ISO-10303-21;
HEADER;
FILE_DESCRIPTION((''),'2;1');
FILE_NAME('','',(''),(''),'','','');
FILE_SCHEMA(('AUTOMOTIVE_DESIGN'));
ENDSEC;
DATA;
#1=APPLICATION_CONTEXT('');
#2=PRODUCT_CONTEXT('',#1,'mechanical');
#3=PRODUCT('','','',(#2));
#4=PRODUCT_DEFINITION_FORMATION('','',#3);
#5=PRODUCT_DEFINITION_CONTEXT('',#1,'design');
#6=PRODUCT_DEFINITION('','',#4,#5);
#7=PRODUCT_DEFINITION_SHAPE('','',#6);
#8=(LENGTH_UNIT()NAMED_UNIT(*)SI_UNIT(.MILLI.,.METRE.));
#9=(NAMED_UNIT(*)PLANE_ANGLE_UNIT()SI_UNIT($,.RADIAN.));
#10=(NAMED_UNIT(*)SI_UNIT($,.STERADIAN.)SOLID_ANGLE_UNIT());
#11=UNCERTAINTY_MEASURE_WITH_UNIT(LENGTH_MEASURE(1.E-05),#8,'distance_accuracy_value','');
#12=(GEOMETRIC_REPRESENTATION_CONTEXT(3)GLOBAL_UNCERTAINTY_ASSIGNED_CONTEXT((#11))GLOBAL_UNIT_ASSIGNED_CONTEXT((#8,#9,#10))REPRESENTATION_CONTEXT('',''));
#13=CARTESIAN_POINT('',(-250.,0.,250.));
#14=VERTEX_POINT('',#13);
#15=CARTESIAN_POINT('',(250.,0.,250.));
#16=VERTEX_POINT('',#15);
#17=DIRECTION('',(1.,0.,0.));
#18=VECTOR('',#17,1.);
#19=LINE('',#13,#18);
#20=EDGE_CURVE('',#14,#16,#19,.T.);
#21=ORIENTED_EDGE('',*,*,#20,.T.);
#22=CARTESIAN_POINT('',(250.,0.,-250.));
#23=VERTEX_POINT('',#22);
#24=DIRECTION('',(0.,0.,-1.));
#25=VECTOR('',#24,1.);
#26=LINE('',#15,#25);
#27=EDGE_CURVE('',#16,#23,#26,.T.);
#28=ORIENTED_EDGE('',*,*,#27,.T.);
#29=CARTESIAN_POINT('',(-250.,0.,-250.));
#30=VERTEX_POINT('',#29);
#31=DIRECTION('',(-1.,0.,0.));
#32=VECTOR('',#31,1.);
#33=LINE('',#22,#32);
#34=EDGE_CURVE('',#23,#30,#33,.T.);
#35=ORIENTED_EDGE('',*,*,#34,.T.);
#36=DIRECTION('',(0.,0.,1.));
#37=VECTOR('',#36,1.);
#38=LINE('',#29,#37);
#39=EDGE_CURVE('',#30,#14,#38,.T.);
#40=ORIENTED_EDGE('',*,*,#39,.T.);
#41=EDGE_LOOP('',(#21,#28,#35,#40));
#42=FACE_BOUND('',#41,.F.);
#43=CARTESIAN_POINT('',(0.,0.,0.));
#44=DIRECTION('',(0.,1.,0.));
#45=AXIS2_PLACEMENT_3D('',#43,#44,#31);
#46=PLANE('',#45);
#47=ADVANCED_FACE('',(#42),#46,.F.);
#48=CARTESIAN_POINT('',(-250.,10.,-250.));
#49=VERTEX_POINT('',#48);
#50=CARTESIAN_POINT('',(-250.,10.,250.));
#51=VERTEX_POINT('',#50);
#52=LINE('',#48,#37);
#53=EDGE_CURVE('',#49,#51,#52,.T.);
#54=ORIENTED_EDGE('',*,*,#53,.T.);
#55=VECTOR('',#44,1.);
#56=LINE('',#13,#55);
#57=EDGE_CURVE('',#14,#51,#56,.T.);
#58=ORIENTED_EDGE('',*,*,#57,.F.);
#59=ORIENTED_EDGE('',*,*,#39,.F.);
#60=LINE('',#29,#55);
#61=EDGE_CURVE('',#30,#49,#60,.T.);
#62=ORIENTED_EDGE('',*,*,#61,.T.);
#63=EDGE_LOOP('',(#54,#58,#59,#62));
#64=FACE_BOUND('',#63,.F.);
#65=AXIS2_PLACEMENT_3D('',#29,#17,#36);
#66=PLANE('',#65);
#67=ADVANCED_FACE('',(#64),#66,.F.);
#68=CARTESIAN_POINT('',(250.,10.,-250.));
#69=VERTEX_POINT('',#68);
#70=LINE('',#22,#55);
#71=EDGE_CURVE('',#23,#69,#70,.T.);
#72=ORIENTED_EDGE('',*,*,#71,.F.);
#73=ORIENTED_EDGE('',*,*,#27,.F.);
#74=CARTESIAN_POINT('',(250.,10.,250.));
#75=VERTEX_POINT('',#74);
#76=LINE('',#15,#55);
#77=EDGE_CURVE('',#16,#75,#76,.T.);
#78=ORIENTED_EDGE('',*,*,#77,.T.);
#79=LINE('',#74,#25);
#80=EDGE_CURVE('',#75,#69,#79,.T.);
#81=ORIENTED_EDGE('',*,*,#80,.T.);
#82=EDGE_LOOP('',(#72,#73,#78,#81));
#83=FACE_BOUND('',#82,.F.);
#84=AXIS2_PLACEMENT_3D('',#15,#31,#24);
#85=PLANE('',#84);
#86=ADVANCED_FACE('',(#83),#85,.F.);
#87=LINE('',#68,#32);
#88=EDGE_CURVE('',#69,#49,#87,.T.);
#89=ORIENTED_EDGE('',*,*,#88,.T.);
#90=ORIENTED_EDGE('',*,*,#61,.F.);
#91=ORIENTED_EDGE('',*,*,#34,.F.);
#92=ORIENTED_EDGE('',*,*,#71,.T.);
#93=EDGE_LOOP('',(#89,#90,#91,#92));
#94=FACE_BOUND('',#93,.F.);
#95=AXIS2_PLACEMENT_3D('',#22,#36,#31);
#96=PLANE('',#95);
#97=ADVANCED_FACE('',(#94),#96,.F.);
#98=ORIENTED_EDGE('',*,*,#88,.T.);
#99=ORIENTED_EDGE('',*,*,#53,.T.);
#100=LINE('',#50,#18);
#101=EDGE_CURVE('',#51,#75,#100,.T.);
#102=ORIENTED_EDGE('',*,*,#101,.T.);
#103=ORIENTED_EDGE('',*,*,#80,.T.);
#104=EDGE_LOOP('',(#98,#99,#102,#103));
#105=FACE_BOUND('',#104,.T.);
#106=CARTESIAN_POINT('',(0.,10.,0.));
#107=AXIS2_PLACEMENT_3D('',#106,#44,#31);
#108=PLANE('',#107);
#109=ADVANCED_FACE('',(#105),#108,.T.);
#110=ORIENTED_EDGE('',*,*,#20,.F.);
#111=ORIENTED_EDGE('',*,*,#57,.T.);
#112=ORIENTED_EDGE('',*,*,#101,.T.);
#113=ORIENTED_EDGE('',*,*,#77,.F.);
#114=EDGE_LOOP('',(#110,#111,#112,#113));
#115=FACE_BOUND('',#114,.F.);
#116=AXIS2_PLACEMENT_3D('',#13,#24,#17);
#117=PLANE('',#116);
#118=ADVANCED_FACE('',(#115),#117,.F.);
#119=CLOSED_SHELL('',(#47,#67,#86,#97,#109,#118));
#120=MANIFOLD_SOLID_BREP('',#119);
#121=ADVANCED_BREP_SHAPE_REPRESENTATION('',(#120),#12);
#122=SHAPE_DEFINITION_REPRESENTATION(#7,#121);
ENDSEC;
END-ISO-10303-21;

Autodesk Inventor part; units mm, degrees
ref_plane "YZ Plane" through (0, 0, 0) normal (1, 0, 0) x (0, 1, 0)
ref_plane "XZ Plane" through (0, 0, 0) normal (0, 1, 0) x (-1, 0, 0)
ref_plane "XY Plane" through (0, 0, 0) normal (0, 0, 1) x (1, 0, 0)
sketch "Sketch1" plane through (0, 0, 0) normal (0, 1, 0) x (-1, 0, 0)
  line L0 (-250, -250) -> (250, -250)
  line L1 (250, -250) -> (250, 250)
  line L2 (250, 250) -> (-250, 250)
  line L3 (-250, 250) -> (-250, -250)
  line L4 (-250, -250) -> (250, 250) construction
  line L5 (250, -250) -> (-250, 250) construction
  point P0 (0, 0)
  dimension "d0" = 500
  dimension "d1" = 500
extrude "Extrusion1" add sketch "Sketch1" along normal blind 10
sketch "Sketch2" plane through (0, 10, 0) normal (0, 1, 0) x (1, 0, 0)
  line L0 (225, -225) -> (-225, -225)
  line L1 (-225, -225) -> (-225, 225)
  line L2 (-225, 225) -> (225, 225)
  line L3 (225, 225) -> (225, -225)
  line L4 (225, -225) -> (-225, 225) construction
  line L5 (-225, -225) -> (225, 225) construction
  circle A0 centre (0, 0) radius 106.4612 construction
  dimension "d4" = 450
  dimension "d5" = 450
properties part number "base" material "Wood (Birch)"
